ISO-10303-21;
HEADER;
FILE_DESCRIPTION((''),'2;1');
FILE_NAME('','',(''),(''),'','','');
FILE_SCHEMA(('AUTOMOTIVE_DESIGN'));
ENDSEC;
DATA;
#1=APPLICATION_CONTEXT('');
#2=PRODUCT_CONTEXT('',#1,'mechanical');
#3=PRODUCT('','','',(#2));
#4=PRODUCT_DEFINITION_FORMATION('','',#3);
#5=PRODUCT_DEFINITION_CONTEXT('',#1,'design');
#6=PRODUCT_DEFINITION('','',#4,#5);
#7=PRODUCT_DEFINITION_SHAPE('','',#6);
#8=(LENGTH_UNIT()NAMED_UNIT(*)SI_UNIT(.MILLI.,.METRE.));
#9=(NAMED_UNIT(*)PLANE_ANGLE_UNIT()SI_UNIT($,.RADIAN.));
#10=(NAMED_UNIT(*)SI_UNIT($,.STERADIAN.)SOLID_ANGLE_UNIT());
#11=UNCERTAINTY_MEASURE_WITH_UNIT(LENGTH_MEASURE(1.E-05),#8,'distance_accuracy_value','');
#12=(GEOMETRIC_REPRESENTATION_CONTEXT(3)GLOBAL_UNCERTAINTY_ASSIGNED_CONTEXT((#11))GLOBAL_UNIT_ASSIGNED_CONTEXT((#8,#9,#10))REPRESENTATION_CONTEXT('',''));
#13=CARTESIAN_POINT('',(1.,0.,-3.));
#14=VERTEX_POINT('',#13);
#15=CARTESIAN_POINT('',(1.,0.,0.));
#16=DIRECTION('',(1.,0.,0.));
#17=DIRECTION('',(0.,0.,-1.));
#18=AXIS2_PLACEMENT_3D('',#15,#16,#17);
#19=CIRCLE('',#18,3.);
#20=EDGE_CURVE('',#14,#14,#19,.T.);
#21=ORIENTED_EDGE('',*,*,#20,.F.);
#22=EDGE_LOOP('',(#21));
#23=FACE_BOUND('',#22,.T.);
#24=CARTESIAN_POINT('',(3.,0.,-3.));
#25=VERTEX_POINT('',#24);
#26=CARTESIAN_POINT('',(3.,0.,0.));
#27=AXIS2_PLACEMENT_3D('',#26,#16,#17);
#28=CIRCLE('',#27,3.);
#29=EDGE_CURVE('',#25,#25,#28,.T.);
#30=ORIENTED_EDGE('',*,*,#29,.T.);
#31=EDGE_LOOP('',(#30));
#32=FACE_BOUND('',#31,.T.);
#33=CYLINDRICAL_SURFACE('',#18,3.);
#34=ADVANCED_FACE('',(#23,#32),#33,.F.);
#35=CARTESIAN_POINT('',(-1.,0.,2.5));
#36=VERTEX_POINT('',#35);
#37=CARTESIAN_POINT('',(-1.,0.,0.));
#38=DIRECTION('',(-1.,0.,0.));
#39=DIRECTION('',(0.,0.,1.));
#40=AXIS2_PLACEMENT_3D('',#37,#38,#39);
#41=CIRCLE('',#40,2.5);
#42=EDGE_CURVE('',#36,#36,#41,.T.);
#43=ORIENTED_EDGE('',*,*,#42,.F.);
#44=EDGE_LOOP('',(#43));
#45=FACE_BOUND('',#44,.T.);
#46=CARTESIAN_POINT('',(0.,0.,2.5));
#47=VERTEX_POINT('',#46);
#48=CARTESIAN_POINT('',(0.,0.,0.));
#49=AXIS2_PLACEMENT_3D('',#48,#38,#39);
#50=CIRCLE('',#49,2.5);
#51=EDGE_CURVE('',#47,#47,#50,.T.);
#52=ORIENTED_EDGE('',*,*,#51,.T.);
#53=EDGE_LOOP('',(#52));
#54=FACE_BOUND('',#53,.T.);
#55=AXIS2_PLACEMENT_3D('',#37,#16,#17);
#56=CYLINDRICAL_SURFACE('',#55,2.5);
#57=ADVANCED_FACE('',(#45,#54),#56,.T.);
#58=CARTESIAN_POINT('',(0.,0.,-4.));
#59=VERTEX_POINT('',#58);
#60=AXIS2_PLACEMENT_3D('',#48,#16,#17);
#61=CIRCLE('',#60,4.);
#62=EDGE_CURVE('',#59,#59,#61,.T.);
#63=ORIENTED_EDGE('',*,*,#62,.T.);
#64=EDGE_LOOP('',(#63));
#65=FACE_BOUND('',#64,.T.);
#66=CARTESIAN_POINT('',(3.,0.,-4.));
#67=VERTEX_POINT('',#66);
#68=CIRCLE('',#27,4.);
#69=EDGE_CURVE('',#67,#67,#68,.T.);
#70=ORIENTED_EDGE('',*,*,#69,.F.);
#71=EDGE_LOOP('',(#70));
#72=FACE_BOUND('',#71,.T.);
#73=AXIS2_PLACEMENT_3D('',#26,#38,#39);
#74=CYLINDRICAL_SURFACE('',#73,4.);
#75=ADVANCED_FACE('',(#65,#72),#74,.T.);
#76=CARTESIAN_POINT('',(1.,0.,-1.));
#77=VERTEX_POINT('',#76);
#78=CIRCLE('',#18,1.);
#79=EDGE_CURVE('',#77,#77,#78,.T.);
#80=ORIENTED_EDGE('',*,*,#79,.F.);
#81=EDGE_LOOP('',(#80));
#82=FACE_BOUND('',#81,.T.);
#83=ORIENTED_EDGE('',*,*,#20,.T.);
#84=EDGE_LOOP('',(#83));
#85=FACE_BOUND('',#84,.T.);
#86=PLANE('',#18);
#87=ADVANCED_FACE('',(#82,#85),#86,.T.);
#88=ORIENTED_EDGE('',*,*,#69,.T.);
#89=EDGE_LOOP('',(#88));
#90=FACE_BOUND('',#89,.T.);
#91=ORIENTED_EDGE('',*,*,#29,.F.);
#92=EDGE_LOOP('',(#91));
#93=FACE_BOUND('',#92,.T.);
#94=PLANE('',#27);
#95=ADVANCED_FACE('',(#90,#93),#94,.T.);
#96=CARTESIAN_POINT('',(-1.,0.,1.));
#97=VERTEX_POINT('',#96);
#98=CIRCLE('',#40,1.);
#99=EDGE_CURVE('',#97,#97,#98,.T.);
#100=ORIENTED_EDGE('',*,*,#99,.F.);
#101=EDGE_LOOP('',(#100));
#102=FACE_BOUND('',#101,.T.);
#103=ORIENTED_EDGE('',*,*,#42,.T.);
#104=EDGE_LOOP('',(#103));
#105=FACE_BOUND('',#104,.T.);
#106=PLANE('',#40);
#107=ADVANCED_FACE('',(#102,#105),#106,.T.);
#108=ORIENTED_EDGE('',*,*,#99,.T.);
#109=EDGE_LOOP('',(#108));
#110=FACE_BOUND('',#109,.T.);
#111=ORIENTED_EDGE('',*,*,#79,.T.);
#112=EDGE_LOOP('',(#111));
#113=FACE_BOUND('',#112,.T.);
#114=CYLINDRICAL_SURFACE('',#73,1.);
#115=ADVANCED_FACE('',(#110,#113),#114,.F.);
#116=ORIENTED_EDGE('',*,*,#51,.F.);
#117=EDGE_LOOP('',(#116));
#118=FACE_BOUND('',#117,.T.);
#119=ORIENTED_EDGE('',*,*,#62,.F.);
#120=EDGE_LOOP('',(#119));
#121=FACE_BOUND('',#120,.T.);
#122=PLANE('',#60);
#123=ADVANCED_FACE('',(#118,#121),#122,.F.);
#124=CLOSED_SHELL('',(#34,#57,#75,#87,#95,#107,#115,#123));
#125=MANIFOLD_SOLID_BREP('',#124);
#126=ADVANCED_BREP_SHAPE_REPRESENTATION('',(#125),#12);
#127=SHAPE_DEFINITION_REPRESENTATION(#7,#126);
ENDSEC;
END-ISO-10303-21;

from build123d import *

# Parameters (mm, degrees)
ESBO_O1_R                = 4
RESSALTO_EXTRUS_O1_DEPTH = 3
ESBO_O2_R                = 3
CORTE_EXTRUS_O1_DEPTH    = 2
ESBO_O3_R                = 2.5
RESSALTO_EXTRUS_O2_DEPTH = 1
ESBO_O4_R                = 1
CORTE_EXTRUS_O2_DEPTH    = 7.92820323


with BuildPart() as part:
    # Esboço1 → Ressalto-extrusão1 (new body)
    with BuildSketch(Plane(origin=(0, 0, 0), x_dir=(0, 0, -1), z_dir=(1, 0, 0))):
        Circle(ESBO_O1_R)
    extrude(amount=RESSALTO_EXTRUS_O1_DEPTH)

    # Esboço2 → Corte-extrusão1 (cut)
    with BuildSketch(Plane(origin=(3, 0, 0), x_dir=(0, 0, -1), z_dir=(1, 0, 0))):
        Circle(ESBO_O2_R)
    extrude(amount=-CORTE_EXTRUS_O1_DEPTH, mode=Mode.SUBTRACT)

    # Esboço3 → Ressalto-extrusão2 (add)
    with BuildSketch(Plane.ZY):
        Circle(ESBO_O3_R)
    extrude(amount=RESSALTO_EXTRUS_O2_DEPTH)

    # Esboço4 → Corte-extrusão2 (cut, through all)
    with BuildSketch(Plane.ZY.offset(1)):
        Circle(ESBO_O4_R)
    extrude(amount=-CORTE_EXTRUS_O2_DEPTH, mode=Mode.SUBTRACT)


solid = part.part
